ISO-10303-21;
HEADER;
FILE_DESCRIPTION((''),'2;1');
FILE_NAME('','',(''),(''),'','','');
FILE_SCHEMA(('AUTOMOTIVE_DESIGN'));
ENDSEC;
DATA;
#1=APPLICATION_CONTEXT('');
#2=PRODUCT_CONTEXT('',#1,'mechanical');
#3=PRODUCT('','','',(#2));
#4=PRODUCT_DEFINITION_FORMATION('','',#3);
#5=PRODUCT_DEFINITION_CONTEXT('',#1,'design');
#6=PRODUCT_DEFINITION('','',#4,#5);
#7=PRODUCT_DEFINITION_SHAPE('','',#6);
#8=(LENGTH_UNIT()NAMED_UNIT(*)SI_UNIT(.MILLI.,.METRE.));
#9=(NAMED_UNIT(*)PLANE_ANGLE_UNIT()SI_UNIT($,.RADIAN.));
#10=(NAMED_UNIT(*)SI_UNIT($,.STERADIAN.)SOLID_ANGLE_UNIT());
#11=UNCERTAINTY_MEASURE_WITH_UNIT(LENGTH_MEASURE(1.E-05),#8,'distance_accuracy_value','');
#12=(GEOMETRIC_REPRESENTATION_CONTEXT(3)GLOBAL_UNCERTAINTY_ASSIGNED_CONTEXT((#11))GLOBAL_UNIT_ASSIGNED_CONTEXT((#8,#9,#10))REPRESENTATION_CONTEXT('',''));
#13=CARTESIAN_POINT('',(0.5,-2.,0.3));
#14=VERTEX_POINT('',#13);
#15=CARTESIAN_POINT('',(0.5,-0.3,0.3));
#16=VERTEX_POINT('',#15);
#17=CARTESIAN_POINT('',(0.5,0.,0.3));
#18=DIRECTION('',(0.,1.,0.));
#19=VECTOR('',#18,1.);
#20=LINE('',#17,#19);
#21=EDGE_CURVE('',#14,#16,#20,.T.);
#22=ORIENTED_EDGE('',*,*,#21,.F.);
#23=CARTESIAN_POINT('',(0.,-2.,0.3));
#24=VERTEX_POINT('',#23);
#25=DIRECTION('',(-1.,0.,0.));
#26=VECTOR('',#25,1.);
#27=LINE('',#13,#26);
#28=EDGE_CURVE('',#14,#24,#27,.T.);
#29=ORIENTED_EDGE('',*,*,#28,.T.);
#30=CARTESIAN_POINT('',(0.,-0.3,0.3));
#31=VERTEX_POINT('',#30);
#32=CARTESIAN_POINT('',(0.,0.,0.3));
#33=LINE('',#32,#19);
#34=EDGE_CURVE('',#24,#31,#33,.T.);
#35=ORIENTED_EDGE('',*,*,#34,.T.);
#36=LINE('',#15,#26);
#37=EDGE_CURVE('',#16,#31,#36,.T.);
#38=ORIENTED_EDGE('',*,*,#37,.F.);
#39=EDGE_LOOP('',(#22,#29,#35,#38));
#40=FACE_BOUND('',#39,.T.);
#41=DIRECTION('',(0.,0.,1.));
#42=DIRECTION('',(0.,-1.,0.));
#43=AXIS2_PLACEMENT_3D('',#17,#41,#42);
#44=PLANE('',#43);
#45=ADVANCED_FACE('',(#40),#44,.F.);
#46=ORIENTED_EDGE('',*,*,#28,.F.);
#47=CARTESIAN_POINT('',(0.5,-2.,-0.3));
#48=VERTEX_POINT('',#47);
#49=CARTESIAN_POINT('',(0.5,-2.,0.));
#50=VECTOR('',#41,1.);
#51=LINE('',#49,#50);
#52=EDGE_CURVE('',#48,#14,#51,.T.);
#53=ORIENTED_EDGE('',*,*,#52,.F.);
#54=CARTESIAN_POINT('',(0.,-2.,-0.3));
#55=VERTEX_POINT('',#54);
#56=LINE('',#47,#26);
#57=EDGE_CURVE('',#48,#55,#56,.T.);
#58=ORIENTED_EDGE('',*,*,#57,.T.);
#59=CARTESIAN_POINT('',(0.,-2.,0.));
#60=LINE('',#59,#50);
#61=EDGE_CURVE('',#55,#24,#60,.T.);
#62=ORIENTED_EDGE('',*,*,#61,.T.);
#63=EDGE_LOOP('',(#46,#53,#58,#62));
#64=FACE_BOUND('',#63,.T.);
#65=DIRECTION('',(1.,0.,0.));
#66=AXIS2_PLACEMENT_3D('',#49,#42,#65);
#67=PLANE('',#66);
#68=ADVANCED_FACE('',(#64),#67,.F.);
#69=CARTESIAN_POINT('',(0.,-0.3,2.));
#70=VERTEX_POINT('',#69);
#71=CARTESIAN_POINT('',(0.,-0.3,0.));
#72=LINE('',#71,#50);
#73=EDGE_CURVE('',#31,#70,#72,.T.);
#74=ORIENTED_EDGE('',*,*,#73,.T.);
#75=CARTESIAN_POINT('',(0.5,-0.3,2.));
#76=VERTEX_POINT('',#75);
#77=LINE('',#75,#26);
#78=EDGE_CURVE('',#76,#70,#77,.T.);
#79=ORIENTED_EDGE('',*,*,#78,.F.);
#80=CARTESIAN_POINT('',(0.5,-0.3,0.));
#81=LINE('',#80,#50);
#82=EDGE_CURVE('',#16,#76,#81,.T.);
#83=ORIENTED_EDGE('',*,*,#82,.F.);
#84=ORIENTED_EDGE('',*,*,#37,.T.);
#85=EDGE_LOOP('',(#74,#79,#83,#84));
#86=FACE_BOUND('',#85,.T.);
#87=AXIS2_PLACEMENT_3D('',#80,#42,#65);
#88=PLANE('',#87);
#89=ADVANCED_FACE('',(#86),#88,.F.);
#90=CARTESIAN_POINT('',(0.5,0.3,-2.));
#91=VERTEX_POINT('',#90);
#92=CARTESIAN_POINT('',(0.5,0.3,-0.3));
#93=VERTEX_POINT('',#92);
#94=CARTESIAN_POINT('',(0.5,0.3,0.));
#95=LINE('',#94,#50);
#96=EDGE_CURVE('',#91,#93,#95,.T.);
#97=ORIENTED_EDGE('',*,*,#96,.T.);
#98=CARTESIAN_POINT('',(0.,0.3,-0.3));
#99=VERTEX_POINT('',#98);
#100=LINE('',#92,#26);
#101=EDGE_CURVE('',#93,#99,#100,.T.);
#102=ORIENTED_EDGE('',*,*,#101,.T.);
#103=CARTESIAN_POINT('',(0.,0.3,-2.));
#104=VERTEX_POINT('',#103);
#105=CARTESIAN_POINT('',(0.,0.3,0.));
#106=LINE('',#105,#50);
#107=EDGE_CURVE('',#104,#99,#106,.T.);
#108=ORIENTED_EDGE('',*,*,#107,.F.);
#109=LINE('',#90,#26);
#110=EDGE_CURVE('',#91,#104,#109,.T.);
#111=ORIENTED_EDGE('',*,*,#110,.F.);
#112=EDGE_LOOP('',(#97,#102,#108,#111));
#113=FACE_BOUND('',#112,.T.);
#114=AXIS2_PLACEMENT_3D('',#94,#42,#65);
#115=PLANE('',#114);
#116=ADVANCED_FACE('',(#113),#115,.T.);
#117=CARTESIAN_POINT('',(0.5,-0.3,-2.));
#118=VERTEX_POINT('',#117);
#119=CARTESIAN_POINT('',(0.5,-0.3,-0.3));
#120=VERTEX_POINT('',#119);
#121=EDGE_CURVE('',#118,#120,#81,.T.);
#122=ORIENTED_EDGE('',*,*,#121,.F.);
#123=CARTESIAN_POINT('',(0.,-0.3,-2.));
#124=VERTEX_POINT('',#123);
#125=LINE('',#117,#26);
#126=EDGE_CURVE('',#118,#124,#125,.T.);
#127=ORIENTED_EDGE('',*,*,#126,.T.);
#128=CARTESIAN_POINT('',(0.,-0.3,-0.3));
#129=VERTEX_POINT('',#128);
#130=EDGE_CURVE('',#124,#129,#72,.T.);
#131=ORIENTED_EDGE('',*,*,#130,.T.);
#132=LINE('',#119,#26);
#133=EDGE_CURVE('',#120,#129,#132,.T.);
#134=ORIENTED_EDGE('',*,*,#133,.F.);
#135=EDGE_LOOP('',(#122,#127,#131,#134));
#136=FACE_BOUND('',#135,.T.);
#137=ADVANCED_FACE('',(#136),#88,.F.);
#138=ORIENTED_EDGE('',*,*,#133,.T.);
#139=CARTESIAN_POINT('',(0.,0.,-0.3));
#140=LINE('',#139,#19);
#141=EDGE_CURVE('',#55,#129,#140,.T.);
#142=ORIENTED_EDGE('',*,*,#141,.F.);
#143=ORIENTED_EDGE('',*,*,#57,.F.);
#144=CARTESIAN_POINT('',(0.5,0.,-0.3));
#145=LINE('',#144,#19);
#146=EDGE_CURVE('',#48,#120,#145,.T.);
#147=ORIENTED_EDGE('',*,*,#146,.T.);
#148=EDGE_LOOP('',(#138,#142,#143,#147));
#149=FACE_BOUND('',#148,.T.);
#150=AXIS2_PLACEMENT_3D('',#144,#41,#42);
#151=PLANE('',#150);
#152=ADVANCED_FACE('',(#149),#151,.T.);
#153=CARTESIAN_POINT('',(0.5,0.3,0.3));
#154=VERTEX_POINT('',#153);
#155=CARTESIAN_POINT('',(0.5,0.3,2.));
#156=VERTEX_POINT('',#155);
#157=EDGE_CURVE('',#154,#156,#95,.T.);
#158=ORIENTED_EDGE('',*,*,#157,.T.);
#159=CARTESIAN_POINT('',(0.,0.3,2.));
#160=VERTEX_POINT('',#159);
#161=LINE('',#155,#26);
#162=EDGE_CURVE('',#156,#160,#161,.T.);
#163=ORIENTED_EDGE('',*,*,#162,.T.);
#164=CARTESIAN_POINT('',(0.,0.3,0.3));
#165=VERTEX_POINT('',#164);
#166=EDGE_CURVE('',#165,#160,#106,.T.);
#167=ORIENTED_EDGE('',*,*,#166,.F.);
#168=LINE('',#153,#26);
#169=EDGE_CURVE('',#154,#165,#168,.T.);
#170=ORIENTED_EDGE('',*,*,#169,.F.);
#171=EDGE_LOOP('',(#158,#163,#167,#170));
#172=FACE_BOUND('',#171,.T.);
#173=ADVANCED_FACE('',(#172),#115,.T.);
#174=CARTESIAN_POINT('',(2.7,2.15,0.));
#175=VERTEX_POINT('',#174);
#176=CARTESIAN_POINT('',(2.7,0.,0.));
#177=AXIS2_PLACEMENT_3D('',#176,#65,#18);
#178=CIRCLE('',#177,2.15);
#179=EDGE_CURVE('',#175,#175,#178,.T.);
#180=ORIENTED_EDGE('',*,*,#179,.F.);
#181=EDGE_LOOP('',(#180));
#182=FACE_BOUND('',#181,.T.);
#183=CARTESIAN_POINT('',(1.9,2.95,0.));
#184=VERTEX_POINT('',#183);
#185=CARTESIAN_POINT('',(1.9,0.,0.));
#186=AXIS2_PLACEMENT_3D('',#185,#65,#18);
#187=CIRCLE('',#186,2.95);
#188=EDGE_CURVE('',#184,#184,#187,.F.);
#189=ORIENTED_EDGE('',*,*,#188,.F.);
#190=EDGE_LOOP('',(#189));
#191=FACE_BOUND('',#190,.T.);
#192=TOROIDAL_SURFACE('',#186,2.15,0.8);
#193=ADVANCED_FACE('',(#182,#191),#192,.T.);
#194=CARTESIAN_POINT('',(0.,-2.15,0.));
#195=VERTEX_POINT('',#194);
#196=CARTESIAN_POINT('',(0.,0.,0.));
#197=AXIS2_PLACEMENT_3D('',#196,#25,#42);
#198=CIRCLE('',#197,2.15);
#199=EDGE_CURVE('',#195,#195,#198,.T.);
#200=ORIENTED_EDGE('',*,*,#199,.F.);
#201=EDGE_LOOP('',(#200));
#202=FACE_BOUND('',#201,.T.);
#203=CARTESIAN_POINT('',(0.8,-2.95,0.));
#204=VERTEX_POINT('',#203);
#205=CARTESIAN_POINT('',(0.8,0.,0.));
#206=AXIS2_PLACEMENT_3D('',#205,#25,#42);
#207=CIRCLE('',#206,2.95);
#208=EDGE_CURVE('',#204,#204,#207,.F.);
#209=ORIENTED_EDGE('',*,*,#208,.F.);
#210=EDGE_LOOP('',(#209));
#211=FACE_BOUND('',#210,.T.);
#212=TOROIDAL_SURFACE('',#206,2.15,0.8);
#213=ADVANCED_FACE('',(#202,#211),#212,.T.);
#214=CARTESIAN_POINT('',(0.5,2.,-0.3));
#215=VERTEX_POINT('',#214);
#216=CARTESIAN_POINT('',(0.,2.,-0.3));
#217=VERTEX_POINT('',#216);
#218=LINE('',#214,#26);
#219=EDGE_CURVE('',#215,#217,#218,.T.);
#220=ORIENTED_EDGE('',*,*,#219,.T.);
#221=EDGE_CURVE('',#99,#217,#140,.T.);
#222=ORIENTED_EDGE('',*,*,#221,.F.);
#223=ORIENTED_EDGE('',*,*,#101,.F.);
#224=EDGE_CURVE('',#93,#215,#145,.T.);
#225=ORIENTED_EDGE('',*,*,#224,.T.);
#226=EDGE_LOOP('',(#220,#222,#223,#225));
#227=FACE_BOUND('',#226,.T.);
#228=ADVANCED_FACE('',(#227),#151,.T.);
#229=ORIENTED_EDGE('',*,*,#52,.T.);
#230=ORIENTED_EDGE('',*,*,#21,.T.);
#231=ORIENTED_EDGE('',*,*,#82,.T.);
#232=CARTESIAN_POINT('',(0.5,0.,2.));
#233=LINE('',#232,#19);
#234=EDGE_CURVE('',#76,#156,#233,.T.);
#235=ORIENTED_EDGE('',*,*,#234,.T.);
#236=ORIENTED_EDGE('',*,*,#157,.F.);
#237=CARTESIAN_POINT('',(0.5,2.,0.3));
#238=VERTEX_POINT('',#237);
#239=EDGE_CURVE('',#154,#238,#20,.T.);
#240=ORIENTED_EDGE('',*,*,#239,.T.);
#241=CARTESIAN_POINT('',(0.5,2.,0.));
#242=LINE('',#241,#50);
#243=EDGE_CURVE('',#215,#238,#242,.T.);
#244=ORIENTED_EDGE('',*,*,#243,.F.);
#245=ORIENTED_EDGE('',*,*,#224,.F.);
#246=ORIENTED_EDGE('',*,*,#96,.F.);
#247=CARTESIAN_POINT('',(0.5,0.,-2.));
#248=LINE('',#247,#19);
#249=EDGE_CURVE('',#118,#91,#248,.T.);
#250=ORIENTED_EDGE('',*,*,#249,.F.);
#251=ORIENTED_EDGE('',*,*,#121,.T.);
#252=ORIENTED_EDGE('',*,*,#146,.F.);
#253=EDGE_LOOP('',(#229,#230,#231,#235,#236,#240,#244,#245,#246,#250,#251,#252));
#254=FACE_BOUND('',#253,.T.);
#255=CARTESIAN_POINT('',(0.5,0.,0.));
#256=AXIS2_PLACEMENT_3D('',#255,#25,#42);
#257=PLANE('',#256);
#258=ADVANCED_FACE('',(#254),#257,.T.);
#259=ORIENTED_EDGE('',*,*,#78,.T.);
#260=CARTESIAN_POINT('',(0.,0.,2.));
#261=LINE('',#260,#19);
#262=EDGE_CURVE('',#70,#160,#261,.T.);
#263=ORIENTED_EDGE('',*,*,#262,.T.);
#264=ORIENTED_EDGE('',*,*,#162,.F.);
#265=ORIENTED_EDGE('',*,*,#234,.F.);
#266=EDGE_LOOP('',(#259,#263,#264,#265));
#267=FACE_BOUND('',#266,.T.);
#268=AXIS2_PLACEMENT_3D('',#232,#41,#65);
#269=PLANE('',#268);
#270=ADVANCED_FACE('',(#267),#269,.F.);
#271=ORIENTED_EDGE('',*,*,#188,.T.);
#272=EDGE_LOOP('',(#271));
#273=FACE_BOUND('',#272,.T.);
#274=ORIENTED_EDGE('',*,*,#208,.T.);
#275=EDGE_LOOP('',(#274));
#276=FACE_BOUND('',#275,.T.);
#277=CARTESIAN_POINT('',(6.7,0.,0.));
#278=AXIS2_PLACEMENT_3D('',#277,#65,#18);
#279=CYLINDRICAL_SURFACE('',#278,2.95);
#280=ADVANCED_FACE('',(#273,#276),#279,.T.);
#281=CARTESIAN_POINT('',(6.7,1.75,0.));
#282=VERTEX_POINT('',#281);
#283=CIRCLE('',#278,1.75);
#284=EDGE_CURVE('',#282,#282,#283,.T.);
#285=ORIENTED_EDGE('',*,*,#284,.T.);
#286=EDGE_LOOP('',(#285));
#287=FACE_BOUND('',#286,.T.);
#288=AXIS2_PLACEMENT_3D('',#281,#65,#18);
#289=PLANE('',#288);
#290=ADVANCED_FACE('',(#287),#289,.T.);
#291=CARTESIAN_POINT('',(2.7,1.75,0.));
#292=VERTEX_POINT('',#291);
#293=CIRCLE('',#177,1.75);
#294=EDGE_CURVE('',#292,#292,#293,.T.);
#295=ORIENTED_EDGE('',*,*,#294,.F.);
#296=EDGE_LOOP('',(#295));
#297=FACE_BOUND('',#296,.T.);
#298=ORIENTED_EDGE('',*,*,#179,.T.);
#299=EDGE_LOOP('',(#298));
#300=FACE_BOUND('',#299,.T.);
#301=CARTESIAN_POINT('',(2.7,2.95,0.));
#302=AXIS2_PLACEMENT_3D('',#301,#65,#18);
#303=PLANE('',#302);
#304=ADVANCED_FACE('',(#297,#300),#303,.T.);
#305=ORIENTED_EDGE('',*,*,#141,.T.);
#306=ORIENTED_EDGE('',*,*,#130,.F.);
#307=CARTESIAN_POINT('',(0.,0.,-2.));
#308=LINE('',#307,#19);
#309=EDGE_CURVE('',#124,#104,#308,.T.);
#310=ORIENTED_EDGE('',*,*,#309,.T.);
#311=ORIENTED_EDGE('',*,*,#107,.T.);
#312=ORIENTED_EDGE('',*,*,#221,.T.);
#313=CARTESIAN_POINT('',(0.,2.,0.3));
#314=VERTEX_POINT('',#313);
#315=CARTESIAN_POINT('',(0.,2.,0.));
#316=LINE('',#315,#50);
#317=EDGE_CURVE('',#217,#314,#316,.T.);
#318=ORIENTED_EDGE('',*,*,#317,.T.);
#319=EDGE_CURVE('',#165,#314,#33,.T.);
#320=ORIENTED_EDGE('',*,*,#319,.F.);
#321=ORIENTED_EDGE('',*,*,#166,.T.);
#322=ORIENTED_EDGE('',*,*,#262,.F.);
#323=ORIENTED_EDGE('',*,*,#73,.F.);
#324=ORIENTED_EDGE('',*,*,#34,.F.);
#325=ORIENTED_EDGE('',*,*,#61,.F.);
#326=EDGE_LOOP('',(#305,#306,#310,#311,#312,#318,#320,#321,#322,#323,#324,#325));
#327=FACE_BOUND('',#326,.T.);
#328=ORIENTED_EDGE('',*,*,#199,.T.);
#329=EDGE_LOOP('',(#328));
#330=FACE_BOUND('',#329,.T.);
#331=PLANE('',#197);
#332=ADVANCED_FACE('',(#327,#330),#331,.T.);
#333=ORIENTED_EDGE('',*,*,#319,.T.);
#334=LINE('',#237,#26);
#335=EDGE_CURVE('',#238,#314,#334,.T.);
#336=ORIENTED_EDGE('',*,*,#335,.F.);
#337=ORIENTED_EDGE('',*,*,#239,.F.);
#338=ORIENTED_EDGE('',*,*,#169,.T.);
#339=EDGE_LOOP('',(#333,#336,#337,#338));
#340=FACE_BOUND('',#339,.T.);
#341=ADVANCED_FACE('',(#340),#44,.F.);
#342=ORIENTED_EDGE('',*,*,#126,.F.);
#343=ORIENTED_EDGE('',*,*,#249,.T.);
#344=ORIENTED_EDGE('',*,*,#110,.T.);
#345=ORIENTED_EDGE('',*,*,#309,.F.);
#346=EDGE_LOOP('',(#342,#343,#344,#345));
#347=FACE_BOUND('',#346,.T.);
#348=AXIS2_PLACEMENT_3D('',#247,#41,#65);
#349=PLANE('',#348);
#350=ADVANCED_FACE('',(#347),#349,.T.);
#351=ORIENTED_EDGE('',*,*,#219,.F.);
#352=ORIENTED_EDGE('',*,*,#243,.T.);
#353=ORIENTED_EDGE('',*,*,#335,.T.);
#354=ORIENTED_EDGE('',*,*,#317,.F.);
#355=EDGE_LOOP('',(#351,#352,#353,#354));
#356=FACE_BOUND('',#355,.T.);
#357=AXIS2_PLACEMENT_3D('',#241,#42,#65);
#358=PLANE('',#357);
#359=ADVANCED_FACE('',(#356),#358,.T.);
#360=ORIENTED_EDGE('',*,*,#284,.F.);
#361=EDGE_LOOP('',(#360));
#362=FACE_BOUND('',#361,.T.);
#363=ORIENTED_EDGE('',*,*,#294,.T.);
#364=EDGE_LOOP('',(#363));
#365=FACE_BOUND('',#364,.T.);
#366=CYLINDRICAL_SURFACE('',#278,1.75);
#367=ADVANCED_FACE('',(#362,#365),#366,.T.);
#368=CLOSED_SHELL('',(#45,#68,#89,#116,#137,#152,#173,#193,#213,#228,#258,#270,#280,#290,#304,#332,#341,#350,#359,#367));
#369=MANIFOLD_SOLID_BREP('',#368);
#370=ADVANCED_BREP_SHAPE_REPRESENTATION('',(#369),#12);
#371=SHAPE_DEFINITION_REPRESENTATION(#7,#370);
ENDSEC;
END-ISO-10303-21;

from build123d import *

# Parameters (mm, degrees)
SKETCH_2_W          = 1.7
SKETCH_2_H          = 0.6
SKETCH_2_W_2        = 0.6
SKETCH_2_H_2        = 1.7
CUT_EXTRUDE_1_DEPTH = 0.5
FILLET_1_R          = 0.8


with BuildPart() as part:
    # 草图1 → 旋转1 (revolve)
    with BuildSketch(Plane.XY):
        Polygon((0, 0), (0, 2.95), (2.7, 2.95), (2.7, 1.75), (6.7, 1.75), (6.7, 0), align=None)
    revolve(axis=Axis((6.7, 0, 0), (-1, 0, 0)))

    # 草图2 → 切除-拉伸1 (cut)
    with BuildSketch(Plane.ZY):
        with Locations((1.15, 0)):
            Rectangle(SKETCH_2_W, SKETCH_2_H)
        with Locations((0, -1.15)):
            Rectangle(SKETCH_2_W_2, SKETCH_2_H_2)
        Rectangle(SKETCH_2_W_2, SKETCH_2_H)
        with Locations((0, 1.15)):
            Rectangle(SKETCH_2_W_2, SKETCH_2_H_2)
        with Locations((-1.15, 0)):
            Rectangle(SKETCH_2_W, SKETCH_2_H)
    extrude(amount=-CUT_EXTRUDE_1_DEPTH, mode=Mode.SUBTRACT)

    # 圆角1
    fillet_1_edges = [part.edges().sort_by_distance(p)[0] for p in [
        (2.7, -2.95, 0),
        (0, -2.95, 0),
    ]]
    fillet(fillet_1_edges, radius=FILLET_1_R)


solid = part.part
